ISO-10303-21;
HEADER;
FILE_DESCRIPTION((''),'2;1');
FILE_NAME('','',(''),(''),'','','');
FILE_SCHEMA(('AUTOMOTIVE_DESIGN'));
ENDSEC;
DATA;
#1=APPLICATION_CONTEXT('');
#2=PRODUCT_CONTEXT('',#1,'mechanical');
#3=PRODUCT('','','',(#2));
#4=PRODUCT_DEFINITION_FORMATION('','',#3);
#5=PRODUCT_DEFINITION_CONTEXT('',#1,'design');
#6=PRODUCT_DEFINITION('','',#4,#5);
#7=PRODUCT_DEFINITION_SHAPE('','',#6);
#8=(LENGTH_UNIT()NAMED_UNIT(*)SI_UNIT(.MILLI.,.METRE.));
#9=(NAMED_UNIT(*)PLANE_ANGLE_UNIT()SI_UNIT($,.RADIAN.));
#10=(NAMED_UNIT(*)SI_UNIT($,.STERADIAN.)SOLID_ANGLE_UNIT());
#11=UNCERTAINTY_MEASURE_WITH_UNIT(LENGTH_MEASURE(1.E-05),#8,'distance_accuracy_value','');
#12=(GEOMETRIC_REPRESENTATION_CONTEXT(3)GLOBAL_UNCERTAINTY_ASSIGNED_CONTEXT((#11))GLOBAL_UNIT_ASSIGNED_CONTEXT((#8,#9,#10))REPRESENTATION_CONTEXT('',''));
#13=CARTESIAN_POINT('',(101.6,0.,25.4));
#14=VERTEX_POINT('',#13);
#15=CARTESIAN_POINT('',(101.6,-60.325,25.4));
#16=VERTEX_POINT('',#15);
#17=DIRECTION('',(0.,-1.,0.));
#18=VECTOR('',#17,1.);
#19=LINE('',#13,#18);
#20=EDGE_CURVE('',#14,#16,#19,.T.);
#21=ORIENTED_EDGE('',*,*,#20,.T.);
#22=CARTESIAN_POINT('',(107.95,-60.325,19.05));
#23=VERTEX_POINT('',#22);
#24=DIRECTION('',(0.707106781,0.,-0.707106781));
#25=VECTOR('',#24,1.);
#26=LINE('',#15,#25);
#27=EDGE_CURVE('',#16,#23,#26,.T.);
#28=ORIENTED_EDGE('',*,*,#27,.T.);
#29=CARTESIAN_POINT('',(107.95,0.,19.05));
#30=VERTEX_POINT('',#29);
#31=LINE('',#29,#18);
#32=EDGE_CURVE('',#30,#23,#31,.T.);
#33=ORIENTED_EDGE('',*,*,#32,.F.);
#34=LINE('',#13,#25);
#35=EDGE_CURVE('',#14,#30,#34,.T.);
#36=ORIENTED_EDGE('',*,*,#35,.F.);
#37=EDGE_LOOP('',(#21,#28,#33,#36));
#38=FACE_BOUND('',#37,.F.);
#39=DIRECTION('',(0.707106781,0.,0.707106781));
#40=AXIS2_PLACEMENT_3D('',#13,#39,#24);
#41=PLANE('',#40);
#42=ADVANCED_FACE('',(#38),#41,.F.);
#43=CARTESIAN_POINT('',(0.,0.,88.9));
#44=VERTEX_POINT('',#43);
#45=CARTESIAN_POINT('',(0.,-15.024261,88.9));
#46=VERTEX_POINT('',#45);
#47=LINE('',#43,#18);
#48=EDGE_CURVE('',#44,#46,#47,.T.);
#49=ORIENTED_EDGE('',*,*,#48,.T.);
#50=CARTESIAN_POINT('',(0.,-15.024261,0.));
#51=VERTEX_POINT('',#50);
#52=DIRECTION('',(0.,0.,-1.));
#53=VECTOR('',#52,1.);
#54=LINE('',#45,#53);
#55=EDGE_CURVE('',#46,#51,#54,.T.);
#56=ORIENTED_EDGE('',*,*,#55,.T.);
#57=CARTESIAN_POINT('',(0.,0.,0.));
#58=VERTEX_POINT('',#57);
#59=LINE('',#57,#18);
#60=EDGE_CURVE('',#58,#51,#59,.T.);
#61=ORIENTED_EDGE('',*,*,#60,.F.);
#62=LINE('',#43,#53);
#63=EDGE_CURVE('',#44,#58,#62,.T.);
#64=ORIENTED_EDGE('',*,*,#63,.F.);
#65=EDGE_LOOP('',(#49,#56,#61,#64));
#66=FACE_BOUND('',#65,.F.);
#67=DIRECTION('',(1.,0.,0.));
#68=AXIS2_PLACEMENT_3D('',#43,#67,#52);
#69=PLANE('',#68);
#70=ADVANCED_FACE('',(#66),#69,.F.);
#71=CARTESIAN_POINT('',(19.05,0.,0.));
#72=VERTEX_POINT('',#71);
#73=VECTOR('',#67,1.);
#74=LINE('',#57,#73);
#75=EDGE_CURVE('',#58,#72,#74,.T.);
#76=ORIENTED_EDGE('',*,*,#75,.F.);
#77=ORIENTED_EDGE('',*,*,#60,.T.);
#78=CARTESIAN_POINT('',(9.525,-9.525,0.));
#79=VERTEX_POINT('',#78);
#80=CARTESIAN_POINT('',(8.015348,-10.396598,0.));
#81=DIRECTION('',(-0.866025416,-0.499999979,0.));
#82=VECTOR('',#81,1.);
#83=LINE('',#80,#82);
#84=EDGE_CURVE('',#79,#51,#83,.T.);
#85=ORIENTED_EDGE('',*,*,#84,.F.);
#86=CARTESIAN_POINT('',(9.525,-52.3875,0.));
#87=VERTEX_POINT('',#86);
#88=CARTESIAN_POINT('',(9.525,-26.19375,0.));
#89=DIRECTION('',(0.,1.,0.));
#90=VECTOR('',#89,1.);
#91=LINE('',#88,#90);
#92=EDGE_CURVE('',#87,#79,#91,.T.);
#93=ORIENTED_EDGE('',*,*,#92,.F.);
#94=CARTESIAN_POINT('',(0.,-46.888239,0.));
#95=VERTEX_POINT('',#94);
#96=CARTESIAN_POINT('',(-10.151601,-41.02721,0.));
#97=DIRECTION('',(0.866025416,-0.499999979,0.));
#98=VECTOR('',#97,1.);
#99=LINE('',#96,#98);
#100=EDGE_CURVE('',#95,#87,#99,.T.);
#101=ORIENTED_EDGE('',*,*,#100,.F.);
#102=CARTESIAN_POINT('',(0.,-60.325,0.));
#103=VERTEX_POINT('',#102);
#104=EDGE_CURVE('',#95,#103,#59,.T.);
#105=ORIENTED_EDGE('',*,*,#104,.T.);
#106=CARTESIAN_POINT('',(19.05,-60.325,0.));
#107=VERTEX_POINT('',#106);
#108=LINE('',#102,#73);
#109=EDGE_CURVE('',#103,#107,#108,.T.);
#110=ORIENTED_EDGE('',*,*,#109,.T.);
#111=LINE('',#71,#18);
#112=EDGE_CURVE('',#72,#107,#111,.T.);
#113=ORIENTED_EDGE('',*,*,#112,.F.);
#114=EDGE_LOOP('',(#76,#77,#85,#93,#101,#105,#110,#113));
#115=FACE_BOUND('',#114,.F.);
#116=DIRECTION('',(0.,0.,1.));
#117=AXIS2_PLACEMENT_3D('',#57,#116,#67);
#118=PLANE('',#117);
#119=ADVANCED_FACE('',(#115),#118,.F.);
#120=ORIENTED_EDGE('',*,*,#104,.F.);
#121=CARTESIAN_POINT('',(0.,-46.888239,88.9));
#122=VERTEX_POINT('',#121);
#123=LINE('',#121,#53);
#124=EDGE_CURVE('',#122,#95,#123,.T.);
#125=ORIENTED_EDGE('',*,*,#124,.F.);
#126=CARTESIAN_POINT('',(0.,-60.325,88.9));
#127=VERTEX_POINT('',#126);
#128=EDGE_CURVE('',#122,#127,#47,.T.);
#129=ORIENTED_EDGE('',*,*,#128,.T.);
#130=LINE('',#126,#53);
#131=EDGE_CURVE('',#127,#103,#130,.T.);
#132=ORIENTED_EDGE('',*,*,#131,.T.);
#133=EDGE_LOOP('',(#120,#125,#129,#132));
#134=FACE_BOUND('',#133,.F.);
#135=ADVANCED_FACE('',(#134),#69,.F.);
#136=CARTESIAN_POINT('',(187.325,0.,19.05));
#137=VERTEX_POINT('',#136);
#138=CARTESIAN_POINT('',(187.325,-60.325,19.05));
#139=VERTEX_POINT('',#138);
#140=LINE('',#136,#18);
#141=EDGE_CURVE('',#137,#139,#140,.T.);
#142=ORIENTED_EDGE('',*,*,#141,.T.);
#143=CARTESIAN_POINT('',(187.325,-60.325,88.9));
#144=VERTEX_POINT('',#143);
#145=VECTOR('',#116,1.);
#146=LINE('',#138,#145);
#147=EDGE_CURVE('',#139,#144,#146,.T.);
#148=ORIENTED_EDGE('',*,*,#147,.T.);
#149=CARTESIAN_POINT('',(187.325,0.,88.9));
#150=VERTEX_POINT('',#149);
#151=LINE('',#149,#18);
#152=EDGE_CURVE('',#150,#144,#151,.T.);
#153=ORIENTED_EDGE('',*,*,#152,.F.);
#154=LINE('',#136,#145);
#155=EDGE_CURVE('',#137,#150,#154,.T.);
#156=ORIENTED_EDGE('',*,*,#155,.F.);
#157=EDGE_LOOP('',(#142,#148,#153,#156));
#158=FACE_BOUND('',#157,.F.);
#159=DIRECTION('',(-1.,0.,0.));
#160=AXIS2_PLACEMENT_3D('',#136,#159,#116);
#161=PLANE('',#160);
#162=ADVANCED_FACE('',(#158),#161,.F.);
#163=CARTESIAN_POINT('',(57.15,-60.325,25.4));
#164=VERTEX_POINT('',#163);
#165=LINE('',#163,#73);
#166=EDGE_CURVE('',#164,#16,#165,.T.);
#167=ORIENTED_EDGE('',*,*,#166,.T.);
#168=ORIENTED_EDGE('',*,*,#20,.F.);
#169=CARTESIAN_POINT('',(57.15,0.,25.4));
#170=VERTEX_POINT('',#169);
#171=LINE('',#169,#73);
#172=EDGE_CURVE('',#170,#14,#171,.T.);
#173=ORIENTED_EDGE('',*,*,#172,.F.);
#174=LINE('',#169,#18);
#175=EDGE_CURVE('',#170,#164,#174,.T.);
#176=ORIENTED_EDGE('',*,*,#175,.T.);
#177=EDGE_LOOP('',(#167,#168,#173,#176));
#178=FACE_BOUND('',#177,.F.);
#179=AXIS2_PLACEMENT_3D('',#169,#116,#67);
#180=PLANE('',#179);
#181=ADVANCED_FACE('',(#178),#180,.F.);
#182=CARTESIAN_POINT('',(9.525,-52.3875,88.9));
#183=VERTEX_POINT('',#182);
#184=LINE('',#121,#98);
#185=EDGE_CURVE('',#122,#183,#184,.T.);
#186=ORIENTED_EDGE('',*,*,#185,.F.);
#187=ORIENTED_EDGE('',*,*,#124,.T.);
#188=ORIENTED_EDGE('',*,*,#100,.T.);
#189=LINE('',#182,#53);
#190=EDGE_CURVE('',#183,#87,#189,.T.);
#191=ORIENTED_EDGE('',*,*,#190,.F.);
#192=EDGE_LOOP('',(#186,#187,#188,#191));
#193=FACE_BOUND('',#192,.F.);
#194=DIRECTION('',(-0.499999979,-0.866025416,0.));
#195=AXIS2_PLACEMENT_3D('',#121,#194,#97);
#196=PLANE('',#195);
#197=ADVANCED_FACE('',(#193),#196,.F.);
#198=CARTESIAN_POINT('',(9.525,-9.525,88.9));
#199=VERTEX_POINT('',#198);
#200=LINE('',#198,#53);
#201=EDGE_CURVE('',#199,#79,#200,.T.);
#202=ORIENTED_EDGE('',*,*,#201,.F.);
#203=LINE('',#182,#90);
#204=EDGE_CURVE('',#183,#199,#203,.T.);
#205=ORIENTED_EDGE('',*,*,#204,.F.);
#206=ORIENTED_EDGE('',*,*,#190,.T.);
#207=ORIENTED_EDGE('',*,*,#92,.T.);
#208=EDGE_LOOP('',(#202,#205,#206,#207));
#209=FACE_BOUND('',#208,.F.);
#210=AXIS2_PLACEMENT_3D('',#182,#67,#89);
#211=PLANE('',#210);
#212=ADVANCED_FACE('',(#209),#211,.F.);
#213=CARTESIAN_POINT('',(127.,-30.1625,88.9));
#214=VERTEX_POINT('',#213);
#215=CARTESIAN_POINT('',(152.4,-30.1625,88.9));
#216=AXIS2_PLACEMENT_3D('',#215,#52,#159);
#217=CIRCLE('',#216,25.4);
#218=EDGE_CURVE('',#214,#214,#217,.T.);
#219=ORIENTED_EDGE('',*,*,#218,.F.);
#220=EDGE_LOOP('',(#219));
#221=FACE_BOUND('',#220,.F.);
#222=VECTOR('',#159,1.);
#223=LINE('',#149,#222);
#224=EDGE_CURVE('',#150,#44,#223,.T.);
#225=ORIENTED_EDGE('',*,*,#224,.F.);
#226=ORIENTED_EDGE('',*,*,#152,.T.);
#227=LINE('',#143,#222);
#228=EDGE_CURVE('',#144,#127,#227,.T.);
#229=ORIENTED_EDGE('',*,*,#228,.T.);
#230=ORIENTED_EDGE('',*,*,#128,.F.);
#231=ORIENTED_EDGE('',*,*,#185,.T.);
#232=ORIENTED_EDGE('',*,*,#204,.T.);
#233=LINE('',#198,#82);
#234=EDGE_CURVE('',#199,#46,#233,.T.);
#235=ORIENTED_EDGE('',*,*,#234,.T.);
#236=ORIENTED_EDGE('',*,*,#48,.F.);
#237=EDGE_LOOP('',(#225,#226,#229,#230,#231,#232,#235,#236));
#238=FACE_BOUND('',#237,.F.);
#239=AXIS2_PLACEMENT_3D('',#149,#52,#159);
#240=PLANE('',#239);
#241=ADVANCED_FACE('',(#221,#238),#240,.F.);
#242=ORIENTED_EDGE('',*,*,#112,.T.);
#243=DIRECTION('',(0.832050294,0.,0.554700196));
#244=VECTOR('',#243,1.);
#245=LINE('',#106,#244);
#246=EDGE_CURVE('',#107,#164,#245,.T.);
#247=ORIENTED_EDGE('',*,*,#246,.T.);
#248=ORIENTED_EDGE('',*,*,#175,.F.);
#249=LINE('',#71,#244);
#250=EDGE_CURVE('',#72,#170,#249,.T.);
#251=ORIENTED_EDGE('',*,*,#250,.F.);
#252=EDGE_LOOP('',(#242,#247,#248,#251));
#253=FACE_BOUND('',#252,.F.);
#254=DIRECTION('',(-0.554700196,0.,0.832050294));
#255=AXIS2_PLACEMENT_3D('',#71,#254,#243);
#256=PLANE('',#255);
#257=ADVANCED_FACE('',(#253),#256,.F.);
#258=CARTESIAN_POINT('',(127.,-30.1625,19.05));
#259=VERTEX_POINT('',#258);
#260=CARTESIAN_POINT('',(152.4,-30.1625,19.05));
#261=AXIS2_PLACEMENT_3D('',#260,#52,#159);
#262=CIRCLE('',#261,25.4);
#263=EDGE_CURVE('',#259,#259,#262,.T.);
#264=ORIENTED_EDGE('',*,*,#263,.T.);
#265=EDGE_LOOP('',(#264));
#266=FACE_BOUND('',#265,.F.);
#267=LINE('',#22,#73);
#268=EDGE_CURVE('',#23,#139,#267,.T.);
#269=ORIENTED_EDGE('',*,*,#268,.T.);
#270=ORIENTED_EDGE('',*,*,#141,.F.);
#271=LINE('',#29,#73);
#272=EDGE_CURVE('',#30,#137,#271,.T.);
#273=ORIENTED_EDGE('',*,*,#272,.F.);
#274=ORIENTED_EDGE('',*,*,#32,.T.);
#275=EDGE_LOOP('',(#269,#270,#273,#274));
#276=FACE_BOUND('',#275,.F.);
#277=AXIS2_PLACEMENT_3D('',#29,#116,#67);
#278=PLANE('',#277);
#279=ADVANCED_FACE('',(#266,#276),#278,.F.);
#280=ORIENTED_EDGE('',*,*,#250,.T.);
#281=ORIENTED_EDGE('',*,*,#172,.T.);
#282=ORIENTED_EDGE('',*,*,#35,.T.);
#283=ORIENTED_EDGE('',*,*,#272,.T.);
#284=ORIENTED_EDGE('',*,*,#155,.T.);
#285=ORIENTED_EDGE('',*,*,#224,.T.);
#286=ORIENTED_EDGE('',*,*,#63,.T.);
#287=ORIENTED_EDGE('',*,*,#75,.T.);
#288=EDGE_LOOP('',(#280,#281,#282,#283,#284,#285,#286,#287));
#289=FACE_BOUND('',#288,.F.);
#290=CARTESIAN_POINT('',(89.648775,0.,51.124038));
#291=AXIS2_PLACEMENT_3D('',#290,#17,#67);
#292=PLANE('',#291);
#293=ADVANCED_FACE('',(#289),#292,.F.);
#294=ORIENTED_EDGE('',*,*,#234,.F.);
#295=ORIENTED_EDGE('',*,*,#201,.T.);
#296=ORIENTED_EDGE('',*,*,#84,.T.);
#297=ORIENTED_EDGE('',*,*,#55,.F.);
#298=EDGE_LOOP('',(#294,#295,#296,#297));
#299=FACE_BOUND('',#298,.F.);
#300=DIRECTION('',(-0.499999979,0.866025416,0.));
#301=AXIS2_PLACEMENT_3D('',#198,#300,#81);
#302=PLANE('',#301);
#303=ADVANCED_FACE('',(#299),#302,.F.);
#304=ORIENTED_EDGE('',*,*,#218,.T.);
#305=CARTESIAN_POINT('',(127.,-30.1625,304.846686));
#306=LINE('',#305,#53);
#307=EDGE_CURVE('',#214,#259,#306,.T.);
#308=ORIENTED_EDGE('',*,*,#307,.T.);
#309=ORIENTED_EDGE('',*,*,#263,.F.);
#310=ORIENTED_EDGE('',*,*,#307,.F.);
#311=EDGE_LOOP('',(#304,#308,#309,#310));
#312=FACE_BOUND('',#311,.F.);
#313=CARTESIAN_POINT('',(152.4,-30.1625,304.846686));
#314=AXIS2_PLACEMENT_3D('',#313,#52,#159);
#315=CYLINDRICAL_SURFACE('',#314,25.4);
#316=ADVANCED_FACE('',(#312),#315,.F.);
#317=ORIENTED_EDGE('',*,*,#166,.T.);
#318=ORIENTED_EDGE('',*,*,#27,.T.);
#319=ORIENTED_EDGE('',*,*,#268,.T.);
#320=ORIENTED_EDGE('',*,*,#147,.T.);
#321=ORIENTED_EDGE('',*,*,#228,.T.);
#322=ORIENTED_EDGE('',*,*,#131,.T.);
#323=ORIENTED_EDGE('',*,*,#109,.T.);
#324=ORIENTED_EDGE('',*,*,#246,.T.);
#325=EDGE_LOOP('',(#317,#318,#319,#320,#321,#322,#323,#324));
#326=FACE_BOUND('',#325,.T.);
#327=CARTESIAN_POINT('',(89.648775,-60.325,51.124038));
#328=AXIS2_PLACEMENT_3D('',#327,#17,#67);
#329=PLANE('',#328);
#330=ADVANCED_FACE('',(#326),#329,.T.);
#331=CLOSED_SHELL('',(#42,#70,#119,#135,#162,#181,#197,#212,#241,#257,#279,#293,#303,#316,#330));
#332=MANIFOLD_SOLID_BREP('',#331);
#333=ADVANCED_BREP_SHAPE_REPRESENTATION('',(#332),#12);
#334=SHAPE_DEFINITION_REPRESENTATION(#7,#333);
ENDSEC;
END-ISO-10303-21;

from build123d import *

# Parameters (mm, degrees)
F1_DEPTH = 60.325
F3_D     = 50.8
F5_DEPTH = 88.901


with BuildPart() as f1:
    # F0 (on Front) → F1 (new body)
    with BuildSketch(Plane.XZ):
        Polygon((0, 88.9), (0, 0), (19.05, 0), (57.15, 25.4), (101.6, 25.4), (107.95, 19.05), (187.325, 19.05), (187.325, 88.9), align=None)
    extrude(amount=F1_DEPTH)

    # F3 (through all)
    with Locations(Plane.XY.offset(88.9)):
        with Locations((152.4, -30.1625)):
            Hole(F3_D / 2)

    # F4 (on face) → F5 (cut, through all)
    with BuildSketch(Plane.XY.offset(88.9)):
        Polygon((9.525, -9.525), (0, -15.024261), (0, -46.888239), (9.525, -52.3875), align=None)
    extrude(amount=-F5_DEPTH, mode=Mode.SUBTRACT)


solid = f1.part
